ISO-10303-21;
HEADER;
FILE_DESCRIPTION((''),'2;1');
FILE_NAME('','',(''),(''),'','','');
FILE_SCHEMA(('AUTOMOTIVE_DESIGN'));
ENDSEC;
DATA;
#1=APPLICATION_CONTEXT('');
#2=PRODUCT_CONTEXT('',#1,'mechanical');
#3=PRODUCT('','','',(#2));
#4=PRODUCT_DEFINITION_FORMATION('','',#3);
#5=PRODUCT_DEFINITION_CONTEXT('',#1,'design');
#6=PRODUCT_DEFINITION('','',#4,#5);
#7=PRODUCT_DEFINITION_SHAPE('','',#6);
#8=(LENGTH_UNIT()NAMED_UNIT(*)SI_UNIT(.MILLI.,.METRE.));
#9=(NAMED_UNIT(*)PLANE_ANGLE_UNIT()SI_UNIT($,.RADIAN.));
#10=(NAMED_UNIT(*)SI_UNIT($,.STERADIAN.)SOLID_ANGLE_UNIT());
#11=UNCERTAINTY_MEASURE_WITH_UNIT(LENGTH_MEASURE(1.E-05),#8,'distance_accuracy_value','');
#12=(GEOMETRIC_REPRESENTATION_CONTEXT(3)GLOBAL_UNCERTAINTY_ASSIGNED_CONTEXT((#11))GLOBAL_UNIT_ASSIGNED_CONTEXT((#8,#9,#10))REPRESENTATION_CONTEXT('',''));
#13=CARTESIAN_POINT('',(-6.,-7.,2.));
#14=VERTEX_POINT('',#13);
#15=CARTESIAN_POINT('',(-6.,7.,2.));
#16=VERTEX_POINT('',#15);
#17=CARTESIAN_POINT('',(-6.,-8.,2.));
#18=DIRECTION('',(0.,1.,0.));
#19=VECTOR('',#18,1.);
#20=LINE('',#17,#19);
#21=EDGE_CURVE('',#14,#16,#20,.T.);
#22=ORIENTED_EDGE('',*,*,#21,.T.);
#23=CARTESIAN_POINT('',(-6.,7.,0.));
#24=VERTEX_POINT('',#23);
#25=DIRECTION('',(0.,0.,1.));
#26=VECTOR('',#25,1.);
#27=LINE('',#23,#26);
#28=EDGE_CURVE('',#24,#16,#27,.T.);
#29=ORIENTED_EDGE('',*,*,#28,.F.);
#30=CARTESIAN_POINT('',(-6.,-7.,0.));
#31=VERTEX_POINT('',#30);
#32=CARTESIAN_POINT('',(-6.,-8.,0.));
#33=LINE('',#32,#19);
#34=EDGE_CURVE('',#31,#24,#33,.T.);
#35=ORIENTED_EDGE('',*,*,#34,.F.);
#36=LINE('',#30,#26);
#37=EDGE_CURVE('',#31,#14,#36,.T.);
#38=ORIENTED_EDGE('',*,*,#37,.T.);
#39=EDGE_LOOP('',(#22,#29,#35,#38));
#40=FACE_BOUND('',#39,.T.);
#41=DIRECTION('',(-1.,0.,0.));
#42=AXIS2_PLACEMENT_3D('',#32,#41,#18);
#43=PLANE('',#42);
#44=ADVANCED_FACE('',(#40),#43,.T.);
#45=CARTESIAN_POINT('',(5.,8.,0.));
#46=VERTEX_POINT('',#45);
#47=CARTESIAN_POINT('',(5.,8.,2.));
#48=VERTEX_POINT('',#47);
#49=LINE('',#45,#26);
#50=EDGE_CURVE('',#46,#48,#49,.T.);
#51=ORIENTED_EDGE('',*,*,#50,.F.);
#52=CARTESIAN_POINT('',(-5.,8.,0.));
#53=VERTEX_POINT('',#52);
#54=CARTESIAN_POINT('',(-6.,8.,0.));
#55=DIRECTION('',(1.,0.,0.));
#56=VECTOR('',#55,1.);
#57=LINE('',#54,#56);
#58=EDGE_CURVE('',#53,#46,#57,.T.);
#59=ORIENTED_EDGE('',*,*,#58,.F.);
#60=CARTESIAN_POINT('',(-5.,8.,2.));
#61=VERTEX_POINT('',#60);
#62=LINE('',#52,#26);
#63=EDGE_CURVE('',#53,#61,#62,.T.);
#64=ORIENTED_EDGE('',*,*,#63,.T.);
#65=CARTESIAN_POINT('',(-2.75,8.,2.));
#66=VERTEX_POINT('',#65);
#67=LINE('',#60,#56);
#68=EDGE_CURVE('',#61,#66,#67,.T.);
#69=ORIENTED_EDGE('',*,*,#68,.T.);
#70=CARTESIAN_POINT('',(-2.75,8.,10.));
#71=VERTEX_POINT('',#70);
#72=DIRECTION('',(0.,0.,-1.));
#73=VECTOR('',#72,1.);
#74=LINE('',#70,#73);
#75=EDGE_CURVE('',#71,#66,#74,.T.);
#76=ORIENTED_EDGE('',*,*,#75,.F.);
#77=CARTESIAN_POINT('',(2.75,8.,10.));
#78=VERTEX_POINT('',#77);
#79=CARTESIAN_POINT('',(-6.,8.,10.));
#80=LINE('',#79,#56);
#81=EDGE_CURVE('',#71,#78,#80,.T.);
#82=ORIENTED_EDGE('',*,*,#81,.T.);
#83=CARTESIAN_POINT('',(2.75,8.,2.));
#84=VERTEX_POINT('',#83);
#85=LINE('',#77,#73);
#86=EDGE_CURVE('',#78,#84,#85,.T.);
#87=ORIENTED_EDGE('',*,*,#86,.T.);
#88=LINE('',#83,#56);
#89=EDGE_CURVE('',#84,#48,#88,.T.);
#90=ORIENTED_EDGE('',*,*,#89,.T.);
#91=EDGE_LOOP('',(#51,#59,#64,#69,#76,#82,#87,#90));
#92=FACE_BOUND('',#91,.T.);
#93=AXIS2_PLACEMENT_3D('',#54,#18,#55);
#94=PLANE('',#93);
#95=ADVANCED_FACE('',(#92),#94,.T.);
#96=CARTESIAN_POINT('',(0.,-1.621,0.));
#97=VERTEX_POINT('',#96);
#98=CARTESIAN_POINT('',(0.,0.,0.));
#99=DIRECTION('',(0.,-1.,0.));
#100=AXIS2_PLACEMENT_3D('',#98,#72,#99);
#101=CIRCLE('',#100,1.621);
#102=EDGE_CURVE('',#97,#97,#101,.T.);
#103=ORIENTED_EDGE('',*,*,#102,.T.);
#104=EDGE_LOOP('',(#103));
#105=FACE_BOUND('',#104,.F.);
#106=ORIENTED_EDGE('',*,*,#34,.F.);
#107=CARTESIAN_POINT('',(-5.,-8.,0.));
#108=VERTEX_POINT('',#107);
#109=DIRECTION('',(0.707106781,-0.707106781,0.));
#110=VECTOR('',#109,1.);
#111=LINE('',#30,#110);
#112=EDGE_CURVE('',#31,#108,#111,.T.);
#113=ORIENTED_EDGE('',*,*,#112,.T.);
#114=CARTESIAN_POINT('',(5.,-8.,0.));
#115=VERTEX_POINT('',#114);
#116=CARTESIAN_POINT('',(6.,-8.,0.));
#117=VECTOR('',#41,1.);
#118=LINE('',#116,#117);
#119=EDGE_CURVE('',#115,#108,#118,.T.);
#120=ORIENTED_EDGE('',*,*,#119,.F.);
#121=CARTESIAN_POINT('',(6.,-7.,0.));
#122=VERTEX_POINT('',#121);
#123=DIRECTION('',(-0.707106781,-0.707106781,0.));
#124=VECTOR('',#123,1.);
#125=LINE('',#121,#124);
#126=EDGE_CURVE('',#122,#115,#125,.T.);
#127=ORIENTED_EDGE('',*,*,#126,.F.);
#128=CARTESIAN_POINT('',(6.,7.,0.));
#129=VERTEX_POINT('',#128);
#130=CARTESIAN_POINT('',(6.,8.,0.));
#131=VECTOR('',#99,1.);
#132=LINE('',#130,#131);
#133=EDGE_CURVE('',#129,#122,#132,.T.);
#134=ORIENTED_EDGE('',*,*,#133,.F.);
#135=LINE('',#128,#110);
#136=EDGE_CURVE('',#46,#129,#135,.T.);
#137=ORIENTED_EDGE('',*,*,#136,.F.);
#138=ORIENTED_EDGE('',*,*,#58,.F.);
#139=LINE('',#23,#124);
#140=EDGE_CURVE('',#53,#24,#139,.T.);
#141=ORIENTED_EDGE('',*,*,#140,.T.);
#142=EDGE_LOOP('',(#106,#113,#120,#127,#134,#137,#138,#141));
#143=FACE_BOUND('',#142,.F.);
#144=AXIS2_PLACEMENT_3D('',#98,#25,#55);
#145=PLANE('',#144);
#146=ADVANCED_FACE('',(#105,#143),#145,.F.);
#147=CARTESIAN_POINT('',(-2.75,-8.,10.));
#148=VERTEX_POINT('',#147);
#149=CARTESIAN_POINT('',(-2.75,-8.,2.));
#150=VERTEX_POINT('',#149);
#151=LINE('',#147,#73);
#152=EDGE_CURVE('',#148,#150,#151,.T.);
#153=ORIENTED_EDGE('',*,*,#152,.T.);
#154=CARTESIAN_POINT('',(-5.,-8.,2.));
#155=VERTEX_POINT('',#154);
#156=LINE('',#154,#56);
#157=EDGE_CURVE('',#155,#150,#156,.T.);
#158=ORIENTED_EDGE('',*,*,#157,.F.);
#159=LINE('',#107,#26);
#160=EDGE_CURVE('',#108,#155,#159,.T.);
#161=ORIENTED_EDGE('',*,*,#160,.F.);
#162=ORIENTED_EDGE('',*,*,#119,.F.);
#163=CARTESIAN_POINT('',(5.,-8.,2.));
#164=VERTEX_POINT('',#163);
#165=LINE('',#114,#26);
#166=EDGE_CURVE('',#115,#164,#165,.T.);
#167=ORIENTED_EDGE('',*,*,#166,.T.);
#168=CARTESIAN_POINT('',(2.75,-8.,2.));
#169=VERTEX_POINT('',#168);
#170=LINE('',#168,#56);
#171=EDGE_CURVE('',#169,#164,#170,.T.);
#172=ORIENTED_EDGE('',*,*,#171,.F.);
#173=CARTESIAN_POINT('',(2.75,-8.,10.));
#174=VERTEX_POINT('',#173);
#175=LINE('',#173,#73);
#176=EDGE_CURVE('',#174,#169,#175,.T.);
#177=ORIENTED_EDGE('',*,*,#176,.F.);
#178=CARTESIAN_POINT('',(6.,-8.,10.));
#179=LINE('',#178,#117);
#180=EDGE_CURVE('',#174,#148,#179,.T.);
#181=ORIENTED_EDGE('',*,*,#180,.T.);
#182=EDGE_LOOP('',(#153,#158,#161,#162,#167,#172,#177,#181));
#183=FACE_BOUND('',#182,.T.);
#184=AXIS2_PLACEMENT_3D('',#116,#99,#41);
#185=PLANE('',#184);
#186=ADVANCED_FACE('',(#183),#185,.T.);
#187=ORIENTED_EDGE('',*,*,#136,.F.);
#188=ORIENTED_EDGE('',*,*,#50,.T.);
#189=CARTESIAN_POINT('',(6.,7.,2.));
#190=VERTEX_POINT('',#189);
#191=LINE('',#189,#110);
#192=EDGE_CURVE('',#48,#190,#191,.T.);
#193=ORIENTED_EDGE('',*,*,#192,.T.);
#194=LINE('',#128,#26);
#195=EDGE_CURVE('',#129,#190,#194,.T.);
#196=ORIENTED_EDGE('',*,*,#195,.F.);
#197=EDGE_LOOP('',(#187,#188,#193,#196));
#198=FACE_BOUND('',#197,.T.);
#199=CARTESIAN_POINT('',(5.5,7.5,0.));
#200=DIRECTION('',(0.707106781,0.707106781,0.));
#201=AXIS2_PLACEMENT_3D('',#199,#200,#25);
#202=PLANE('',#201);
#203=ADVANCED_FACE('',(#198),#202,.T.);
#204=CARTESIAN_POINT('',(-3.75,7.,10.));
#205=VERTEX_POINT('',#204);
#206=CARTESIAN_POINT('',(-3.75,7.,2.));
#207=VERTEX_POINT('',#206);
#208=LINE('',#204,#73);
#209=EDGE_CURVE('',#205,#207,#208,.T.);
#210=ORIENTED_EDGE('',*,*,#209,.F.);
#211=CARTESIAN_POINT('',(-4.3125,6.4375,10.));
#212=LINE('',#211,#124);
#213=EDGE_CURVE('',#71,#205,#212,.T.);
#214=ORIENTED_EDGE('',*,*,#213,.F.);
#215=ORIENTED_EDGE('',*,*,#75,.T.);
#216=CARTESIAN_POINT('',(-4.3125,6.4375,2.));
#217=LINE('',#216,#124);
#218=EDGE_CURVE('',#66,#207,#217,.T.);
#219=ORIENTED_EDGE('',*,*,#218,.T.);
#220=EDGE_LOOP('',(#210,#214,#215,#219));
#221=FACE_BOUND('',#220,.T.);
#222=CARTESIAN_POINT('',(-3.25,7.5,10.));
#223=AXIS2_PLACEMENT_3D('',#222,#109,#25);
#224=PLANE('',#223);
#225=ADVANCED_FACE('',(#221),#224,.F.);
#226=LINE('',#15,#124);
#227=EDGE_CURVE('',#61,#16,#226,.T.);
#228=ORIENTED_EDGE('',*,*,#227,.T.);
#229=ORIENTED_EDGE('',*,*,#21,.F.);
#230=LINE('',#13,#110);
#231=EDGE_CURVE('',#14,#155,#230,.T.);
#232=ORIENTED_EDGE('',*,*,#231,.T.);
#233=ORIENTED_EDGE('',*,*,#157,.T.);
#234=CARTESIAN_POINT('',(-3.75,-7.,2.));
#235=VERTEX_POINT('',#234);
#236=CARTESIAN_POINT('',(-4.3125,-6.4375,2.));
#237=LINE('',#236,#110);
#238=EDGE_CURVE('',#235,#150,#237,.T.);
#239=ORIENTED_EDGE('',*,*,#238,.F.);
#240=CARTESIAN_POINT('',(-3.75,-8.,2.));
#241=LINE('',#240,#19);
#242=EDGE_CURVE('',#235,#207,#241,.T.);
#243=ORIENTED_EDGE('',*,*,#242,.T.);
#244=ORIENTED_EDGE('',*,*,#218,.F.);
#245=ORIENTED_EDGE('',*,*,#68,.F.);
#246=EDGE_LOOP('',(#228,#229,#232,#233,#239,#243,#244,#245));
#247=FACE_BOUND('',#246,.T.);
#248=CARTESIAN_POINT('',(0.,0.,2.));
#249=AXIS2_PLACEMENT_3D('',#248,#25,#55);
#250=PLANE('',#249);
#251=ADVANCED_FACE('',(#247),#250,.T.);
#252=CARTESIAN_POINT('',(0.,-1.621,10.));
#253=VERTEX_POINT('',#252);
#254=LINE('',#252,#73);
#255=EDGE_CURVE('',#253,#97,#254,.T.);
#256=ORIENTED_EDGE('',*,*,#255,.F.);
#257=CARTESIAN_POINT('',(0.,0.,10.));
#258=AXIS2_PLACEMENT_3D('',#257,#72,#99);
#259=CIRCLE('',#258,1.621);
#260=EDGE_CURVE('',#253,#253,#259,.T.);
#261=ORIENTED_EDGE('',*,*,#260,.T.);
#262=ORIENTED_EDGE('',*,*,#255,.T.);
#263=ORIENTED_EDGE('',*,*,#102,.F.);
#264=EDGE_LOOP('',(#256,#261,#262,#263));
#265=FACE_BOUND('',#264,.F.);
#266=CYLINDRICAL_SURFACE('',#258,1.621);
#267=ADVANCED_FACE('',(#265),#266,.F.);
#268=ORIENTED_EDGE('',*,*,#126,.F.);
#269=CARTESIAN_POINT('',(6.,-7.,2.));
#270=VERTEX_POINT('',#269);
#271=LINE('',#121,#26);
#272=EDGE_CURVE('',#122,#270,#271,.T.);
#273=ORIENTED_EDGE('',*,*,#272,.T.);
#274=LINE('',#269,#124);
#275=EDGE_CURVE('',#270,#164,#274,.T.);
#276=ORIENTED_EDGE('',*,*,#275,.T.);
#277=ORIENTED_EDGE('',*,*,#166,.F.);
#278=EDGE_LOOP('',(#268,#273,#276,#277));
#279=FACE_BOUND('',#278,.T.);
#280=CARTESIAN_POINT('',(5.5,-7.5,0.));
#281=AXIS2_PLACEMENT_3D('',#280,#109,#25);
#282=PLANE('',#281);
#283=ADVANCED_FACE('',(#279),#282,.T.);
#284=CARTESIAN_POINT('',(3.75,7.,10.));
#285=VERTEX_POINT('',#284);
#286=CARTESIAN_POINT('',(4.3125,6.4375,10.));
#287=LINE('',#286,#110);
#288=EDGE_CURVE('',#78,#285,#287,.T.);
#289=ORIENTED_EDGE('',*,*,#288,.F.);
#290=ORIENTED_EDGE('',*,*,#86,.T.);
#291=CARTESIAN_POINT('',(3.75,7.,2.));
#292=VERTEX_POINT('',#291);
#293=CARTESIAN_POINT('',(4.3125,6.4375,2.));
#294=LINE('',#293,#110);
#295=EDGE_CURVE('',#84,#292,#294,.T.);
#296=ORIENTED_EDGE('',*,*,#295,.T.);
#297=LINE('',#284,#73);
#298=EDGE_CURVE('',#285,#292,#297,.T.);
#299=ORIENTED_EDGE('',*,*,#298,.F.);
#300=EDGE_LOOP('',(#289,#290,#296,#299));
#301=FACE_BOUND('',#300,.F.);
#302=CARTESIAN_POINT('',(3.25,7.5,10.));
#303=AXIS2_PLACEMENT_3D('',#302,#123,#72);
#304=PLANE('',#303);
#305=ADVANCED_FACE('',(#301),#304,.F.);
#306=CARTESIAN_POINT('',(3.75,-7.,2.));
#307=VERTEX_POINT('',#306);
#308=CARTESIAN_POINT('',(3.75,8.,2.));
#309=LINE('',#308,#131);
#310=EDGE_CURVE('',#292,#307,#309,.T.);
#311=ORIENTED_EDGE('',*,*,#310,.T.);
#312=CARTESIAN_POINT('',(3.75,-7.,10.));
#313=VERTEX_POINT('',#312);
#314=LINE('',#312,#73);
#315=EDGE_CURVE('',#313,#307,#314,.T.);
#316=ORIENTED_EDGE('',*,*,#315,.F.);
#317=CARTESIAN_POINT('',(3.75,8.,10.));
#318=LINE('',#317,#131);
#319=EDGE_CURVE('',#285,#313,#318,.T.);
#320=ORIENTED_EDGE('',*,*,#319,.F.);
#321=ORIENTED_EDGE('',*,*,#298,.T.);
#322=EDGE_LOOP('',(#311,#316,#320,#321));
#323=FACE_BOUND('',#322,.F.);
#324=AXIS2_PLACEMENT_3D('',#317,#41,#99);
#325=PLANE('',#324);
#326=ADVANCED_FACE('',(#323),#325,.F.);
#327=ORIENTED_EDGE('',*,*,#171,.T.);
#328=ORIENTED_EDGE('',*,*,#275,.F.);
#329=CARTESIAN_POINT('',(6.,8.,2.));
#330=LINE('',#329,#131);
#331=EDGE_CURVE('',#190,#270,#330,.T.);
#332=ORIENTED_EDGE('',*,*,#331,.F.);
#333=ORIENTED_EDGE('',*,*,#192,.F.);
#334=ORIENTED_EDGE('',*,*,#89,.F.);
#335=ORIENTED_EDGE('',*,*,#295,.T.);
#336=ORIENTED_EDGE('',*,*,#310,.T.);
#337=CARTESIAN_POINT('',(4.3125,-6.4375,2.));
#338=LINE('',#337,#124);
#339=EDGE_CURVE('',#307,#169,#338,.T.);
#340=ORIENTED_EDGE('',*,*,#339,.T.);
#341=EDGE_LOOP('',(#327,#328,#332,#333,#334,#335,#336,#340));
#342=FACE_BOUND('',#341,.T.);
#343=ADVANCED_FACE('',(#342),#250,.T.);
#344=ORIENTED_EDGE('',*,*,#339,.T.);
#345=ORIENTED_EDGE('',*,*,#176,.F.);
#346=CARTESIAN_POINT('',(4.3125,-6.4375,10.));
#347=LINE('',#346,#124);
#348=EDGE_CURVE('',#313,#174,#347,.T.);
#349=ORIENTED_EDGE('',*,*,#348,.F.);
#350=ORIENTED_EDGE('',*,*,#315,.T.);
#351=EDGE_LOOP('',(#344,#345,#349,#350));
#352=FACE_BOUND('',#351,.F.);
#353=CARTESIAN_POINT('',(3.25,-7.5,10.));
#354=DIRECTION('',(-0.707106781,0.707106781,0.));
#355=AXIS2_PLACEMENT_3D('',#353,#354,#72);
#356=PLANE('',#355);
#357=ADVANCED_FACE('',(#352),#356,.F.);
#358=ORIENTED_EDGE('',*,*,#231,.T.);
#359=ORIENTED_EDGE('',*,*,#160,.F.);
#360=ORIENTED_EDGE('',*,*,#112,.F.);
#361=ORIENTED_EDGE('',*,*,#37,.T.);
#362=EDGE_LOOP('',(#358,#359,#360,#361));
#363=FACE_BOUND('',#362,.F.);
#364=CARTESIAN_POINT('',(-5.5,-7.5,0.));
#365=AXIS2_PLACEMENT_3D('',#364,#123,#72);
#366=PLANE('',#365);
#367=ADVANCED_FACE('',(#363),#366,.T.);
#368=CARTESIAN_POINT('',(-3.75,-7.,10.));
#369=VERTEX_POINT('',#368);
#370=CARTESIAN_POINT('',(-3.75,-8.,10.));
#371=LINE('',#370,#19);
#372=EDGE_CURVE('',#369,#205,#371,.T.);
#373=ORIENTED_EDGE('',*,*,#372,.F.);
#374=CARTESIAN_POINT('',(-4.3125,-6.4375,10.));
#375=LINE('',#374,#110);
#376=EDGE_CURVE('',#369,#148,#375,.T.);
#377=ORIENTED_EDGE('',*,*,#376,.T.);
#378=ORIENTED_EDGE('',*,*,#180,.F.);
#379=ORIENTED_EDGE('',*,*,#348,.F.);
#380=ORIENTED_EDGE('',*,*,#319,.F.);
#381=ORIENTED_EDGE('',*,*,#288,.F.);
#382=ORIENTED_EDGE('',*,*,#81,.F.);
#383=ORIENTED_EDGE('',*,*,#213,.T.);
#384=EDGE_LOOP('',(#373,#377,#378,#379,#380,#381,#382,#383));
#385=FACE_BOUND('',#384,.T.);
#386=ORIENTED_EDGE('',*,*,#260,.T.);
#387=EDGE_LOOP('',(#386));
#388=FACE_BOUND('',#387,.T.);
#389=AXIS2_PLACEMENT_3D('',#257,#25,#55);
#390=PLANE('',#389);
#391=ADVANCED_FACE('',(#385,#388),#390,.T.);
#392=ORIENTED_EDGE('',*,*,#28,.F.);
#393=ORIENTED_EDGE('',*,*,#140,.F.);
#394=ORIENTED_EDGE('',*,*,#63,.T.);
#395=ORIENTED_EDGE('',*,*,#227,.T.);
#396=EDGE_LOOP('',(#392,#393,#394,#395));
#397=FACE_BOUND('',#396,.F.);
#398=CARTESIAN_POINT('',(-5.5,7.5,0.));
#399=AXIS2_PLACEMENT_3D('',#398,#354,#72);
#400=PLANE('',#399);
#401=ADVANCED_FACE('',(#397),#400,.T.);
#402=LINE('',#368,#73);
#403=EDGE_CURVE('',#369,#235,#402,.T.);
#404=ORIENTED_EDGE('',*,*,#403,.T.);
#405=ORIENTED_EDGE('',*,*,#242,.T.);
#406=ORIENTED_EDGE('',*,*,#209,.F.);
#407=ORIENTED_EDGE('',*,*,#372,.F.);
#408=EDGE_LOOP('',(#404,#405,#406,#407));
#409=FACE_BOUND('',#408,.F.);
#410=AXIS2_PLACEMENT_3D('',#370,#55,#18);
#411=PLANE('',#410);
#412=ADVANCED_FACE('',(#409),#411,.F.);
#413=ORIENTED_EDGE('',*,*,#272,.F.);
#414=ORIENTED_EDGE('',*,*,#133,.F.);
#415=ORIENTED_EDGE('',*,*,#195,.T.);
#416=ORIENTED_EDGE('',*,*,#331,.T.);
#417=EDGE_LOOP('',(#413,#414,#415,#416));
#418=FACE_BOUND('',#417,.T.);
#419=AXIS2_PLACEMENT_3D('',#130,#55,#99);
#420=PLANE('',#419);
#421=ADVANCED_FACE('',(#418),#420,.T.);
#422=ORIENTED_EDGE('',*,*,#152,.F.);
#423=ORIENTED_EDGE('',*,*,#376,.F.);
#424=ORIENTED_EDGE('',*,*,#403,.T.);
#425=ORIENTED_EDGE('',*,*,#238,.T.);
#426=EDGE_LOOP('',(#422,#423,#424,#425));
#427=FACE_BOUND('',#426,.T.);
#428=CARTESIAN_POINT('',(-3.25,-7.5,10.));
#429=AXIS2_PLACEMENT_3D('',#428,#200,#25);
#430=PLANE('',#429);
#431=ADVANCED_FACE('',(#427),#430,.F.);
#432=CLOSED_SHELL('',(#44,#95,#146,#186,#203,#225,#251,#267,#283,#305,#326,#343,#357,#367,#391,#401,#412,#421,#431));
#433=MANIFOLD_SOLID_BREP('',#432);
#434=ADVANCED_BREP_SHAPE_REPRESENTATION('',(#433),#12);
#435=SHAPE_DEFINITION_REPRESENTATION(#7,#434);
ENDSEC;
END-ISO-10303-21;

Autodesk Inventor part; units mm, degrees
ref_plane "YZ Plane" through (0, 0, 0) normal (1, 0, 0) x (0, 1, 0)
ref_plane "XZ Plane" through (0, 0, 0) normal (0, 1, 0) x (-1, 0, 0)
ref_plane "XY Plane" through (0, 0, 0) normal (0, 0, 1) x (1, 0, 0)
sketch "Esboço1" plane through (0, 0, 0) normal (0, 0, 1) x (1, 0, 0)
  line L0 (-6, 8) -> (6, 8)
  line L1 (6, 8) -> (6, -8)
  line L2 (6, -8) -> (-6, -8)
  line L3 (-6, -8) -> (-6, 8)
  line L4 (-6, 8) -> (6, -8) construction
  line L5 (6, 8) -> (-6, -8) construction
  point P0 (0, 0)
  dimension "d0" = 12
  dimension "d1" = 16
extrude "Extrusão1" add sketch "Esboço1" along normal blind 10
sketch "Esboço3" plane through (0, 0, 10) normal (0, 0, 1) x (1, 0, 0)
  line L0 (6, -8) -> (-6, -8)
  line L1 (-6, -8) -> (-6, 8)
  line L2 (-6, 8) -> (6, 8)
  line L3 (6, 8) -> (6, -8)
  line L4 (6, -8) -> (-6, 8) construction
  line L5 (-6, -8) -> (6, 8) construction
  line L6 (3.75, -8) -> (-3.75, -8)
  line L7 (-3.75, -8) -> (-3.75, 8)
  line L8 (-3.75, 8) -> (3.75, 8)
  line L9 (3.75, 8) -> (3.75, -8)
  line L10 (3.75, -8) -> (-3.75, 8) construction
  line L11 (-3.75, -8) -> (3.75, 8) construction
  point P0 (0, 0)
  dimension "d4" = 12
  dimension "d5" = 16
  dimension "d6" = 7.5
extrude "Extrusão2" cut sketch "Esboço3" against normal blind 8 contours L0 L9 L2 L3 | L0 L1 L2 L7
chamfer "Chanfro1" distance 1 angle 45 8 edges at (6, -8, 1) (-6, -8, 1) (6, 8, 1) (-6, 8, 1) (-3.75, -8, 6) (-3.75, 8, 6) (3.75, 8, 6) (3.75, -8, 6)
sketch "Esboço4" plane through (0, 0, 10) normal (0, 0, 1) x (1, 0, 0)
  circle A0 centre (0, 0) radius 1.5 construction
  dimension "d12" = 3
hole "Furo1" at (0, 0, 10) direction (0, 0, -1) diameter 3.242 end through all thread size "M4x0.7" class "6H" standard "ANSI Metric M Profile"
properties part number "porcaDeslizante"
